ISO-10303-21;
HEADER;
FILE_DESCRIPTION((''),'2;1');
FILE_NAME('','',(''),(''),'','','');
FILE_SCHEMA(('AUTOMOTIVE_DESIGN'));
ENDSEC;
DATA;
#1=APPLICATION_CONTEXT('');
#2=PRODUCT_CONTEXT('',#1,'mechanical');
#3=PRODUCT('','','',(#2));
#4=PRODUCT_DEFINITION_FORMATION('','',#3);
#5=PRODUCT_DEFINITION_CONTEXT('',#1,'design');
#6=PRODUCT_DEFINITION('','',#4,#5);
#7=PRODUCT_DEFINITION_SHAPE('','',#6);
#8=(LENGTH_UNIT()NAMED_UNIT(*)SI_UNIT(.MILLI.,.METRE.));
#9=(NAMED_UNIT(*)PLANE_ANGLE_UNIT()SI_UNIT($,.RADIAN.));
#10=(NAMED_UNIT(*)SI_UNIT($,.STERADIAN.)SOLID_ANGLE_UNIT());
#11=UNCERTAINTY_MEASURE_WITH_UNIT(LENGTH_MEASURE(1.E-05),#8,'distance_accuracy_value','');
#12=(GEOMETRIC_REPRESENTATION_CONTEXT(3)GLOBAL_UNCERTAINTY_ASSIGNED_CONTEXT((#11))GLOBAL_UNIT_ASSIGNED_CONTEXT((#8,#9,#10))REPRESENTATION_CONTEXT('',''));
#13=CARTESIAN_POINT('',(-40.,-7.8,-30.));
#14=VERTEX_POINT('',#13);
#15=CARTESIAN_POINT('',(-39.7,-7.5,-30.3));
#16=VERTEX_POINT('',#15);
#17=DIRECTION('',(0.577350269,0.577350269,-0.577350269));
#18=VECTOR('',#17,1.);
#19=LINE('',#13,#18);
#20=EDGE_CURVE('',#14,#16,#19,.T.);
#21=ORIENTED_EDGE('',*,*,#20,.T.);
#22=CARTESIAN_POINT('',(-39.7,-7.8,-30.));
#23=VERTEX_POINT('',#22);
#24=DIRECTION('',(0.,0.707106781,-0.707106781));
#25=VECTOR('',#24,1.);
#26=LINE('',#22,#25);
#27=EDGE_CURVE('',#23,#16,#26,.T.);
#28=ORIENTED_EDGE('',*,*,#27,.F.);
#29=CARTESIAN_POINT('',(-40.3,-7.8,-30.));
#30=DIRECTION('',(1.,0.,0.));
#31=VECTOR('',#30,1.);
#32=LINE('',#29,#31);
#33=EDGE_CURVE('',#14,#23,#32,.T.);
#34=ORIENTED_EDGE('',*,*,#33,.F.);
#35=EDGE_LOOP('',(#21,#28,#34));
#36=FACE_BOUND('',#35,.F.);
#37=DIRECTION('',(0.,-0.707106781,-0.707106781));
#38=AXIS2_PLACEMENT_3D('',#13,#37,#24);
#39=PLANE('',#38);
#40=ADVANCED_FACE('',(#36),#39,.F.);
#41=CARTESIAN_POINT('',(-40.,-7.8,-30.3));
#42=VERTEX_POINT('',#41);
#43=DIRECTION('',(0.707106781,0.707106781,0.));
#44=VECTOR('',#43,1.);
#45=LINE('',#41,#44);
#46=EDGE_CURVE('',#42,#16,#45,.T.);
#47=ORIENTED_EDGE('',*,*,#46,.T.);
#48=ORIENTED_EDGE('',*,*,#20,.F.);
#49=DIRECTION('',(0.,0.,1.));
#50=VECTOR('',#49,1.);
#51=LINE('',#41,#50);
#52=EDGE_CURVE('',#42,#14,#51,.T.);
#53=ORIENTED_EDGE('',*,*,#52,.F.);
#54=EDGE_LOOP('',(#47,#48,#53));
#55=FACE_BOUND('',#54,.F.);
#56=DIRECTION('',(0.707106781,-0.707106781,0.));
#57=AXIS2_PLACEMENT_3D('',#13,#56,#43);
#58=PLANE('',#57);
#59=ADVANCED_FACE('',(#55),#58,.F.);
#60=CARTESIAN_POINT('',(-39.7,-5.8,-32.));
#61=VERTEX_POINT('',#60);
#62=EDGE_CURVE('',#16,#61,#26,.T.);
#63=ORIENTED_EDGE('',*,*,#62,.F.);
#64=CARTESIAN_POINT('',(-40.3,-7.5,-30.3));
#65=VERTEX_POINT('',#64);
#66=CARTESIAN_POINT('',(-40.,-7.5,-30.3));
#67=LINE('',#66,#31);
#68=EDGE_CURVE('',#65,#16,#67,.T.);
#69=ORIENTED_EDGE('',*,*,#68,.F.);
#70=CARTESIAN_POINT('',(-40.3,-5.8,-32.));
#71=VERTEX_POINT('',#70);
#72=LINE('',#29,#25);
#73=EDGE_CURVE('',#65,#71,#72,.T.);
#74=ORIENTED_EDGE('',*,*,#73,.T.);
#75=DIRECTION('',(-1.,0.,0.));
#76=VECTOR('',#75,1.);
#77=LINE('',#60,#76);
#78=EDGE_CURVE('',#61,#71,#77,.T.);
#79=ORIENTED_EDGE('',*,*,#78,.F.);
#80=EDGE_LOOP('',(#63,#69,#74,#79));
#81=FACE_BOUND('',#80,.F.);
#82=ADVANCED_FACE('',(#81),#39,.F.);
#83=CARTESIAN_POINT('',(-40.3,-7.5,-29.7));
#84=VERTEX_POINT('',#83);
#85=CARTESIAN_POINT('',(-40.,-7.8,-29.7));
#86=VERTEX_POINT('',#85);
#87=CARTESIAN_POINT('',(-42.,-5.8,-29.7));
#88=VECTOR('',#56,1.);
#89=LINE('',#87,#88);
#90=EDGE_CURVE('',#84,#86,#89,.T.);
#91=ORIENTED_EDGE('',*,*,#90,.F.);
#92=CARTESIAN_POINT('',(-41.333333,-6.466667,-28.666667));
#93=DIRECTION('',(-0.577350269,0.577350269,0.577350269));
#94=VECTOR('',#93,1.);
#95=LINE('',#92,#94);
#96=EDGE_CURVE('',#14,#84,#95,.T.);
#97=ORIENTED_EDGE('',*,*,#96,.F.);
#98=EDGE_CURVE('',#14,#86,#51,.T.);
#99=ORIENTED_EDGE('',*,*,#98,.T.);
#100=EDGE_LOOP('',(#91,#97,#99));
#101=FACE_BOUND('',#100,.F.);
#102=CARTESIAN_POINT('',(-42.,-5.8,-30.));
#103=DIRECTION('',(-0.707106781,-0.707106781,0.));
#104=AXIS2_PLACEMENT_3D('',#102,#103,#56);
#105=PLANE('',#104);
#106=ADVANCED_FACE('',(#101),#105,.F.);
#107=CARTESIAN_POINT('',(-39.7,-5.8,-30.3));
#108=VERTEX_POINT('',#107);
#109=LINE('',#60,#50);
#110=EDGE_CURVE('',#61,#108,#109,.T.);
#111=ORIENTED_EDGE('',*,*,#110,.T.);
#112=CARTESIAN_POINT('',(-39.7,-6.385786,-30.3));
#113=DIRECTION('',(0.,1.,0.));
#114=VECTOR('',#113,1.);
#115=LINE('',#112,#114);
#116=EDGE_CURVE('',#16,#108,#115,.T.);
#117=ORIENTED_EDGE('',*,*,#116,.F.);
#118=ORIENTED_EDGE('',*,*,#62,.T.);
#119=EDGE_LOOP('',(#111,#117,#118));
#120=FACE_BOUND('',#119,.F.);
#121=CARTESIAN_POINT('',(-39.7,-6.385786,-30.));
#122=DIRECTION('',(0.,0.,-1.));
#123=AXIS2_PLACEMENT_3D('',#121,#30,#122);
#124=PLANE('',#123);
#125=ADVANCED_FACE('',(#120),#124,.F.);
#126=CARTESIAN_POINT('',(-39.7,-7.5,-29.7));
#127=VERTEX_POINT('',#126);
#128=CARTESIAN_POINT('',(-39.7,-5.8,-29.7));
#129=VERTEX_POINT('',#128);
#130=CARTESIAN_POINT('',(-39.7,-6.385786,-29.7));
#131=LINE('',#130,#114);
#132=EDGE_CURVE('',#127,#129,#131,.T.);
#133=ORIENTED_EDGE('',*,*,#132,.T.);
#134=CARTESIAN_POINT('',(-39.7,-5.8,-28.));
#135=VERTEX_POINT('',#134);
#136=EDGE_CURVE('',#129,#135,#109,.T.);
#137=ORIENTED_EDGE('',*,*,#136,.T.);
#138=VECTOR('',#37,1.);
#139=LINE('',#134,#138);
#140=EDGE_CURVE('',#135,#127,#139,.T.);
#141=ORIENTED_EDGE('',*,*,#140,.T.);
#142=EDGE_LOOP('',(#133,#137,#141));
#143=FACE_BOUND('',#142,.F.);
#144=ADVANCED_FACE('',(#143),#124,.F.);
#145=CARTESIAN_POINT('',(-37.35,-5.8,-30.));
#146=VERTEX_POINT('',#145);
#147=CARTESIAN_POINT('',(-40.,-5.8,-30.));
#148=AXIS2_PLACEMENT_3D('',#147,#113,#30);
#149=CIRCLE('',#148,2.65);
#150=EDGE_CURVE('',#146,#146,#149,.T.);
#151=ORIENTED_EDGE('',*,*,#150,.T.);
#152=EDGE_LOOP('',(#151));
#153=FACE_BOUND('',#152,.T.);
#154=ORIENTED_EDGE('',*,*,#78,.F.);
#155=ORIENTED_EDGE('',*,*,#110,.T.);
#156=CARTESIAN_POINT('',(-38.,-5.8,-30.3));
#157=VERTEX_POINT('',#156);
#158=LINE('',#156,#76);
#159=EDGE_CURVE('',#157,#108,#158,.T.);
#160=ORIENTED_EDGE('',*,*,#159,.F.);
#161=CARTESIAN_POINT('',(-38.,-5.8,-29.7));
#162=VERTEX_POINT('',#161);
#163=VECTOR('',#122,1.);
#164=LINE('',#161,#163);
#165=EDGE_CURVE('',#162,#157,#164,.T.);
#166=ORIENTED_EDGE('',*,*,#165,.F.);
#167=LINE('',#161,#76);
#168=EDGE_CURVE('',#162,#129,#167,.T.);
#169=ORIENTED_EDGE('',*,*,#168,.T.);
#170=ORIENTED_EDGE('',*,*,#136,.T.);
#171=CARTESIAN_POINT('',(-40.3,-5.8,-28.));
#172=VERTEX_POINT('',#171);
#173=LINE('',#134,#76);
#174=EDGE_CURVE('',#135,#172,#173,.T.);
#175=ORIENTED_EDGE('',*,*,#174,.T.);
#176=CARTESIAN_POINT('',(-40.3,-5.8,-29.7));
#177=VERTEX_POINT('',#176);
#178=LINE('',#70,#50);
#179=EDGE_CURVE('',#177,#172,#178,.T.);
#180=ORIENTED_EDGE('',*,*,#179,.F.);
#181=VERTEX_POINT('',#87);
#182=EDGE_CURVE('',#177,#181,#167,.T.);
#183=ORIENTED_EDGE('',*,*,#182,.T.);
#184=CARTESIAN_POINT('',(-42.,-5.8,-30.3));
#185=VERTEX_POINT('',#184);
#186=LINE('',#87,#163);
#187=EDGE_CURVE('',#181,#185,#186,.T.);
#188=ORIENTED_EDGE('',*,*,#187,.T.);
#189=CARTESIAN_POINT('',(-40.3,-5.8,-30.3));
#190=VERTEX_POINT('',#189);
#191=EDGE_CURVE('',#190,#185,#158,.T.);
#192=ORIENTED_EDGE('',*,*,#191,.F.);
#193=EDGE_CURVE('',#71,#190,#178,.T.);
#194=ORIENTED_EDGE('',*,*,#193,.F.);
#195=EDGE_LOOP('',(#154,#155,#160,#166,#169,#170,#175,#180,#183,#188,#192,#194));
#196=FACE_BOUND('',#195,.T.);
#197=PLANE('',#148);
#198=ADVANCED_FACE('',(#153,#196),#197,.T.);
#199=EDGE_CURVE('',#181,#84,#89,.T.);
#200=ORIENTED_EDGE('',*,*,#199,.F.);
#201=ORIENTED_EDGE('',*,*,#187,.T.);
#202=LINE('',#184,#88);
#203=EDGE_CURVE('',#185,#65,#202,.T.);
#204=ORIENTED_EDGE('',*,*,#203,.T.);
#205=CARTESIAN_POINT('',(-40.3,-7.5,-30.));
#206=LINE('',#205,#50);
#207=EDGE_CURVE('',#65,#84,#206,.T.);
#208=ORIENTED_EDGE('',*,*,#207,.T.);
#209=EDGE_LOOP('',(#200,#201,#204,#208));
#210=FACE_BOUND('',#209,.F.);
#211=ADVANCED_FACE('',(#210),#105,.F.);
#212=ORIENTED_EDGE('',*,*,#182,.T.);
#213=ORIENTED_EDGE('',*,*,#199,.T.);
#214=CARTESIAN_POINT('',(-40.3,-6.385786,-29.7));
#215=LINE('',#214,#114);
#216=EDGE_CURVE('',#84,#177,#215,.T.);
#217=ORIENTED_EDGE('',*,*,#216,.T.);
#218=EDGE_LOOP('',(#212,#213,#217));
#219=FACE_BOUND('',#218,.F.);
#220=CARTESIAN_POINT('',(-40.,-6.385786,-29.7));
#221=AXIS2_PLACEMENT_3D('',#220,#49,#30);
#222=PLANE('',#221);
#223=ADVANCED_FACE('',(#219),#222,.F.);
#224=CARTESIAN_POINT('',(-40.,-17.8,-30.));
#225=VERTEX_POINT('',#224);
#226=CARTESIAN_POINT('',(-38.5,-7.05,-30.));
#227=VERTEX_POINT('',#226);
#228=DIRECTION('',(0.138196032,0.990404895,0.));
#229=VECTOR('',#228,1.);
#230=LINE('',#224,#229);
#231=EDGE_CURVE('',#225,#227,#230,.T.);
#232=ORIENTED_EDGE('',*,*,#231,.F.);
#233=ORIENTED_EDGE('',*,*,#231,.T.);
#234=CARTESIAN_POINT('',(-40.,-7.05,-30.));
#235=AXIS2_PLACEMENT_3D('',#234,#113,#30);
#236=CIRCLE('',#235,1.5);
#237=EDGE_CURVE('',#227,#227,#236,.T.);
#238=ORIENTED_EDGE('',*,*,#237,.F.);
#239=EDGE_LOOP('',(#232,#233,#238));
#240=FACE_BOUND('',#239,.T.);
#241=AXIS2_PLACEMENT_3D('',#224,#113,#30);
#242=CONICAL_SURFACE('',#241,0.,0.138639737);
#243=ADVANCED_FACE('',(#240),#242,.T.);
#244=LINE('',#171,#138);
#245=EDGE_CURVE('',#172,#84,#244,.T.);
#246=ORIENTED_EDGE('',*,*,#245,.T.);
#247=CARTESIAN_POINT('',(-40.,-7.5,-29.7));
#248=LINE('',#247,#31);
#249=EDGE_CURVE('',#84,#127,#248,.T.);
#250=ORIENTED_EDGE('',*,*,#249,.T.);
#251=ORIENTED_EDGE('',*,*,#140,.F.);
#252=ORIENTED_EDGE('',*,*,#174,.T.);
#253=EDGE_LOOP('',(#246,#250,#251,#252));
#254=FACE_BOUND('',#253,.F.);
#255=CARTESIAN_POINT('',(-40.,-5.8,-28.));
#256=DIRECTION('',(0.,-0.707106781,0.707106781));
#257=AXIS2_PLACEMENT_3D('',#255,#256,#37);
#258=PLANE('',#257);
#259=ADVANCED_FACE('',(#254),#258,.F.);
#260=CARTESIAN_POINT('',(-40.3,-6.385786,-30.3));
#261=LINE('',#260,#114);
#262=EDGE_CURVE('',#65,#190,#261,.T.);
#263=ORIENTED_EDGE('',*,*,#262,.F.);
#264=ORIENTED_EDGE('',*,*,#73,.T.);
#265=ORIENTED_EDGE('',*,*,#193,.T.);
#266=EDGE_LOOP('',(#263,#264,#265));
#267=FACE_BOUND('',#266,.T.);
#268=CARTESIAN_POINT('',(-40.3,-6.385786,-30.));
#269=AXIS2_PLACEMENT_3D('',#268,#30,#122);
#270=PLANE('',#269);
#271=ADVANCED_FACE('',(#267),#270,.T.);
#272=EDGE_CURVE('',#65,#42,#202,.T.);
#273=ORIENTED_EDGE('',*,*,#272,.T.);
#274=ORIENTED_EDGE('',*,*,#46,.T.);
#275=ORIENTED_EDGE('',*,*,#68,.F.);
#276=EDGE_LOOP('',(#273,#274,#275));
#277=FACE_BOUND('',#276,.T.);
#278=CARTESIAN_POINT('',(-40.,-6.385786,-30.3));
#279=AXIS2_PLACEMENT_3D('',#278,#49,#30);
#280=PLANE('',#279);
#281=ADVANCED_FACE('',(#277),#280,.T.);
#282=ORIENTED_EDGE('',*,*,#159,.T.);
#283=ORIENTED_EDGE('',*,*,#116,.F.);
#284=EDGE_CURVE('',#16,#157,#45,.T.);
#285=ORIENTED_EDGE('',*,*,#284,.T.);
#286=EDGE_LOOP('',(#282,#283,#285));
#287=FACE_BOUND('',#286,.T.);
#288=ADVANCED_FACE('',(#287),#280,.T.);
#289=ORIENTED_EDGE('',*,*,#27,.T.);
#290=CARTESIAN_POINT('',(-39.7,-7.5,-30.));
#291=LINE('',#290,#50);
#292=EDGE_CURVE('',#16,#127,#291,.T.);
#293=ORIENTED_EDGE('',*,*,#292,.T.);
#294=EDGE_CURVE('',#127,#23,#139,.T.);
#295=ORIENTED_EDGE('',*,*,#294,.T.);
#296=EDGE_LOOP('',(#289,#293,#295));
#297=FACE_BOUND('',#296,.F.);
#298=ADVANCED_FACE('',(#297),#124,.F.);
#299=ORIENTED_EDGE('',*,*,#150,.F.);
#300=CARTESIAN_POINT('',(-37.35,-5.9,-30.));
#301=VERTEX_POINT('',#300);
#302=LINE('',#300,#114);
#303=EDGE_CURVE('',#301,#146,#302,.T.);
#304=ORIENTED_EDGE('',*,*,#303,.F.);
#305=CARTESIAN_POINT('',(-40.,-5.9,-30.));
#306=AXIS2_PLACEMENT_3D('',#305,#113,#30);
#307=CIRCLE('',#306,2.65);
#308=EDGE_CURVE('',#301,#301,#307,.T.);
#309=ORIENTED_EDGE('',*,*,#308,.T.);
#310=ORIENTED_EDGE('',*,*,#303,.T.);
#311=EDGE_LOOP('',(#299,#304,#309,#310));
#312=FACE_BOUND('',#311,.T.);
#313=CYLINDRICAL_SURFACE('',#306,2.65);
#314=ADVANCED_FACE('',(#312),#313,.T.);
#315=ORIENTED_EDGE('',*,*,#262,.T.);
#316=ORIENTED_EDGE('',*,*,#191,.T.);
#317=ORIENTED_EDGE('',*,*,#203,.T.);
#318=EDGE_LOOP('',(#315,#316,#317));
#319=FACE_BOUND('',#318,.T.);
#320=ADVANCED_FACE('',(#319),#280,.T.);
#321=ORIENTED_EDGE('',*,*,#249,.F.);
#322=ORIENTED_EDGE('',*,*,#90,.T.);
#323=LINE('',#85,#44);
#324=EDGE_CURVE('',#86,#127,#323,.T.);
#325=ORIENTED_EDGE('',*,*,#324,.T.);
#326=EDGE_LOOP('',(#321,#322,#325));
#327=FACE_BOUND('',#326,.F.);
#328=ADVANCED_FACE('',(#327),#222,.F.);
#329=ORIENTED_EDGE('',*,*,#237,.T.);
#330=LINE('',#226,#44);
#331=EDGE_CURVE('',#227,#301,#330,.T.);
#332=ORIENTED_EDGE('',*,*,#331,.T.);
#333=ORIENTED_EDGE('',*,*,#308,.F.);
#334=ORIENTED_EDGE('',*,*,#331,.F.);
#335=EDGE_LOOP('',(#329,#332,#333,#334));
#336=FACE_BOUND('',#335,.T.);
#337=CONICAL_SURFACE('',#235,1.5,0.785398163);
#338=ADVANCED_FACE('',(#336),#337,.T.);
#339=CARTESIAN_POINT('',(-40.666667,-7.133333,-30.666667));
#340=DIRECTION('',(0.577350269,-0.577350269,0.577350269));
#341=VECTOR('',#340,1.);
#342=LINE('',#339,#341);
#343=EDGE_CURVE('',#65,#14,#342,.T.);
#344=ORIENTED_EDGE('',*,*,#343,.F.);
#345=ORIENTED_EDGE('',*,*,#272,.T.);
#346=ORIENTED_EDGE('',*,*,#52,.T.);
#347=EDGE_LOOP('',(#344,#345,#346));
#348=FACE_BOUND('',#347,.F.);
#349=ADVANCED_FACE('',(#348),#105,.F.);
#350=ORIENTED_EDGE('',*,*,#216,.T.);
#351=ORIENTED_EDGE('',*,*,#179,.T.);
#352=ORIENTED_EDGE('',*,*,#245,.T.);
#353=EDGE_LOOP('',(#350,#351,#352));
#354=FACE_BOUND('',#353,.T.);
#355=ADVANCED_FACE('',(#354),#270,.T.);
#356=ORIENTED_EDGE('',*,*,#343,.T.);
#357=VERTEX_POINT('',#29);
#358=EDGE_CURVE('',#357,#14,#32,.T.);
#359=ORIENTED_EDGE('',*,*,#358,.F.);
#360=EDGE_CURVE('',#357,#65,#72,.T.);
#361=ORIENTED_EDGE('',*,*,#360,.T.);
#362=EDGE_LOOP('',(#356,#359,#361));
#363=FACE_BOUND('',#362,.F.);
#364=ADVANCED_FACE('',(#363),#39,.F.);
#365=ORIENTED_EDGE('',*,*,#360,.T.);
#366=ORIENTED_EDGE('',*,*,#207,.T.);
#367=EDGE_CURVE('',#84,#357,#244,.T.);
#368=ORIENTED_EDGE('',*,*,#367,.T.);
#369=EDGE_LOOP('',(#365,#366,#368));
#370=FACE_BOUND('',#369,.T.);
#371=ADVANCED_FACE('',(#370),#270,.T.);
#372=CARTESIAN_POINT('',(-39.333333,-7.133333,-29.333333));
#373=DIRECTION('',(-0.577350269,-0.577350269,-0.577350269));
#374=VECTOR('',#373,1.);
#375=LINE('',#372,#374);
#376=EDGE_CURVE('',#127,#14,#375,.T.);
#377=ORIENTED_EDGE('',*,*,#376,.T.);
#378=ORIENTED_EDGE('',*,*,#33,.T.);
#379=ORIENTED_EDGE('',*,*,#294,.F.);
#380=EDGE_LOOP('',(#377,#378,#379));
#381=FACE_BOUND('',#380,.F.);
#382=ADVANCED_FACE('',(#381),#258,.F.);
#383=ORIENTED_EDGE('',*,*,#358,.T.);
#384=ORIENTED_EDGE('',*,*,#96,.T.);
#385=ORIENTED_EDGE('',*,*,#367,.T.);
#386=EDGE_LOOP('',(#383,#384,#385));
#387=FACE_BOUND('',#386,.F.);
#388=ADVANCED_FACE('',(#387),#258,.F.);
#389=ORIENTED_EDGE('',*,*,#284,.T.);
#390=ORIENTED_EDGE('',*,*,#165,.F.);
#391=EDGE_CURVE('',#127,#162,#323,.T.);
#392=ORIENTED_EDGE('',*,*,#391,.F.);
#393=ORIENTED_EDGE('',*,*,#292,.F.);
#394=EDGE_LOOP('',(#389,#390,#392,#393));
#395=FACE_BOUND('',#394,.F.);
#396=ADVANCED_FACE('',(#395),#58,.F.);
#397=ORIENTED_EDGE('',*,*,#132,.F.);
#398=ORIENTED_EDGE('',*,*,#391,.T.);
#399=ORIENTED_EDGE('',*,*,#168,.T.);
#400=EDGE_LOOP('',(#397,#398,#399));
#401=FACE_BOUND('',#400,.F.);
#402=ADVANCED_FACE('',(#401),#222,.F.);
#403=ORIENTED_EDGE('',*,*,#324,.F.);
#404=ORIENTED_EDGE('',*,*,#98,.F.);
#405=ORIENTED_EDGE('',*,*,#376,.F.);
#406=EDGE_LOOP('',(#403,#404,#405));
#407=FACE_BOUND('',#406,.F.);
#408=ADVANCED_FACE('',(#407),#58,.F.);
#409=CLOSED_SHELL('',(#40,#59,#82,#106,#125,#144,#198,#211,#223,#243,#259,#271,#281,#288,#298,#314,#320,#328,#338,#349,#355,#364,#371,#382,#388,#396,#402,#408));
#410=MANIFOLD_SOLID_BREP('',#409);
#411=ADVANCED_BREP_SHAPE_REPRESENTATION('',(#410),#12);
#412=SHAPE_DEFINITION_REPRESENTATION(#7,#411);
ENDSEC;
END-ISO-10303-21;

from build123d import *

# Parameters (mm, degrees)
POCKET023_DEPTH         = 0.3
POLARPATTERN005_COUNT   = 2
POLARPATTERN005_ANGLE   = 90
BODY020_PLACEMENT_ANGLE = 90


with BuildPart() as part:
    # Sketch101 → Revolution008 (revolve)
    with BuildSketch(Plane.XZ):
        Polygon((0, 0), (0, -12), (1.5, -1.25), (2.65, -0.1), (2.65, 0), align=None)
    revolve(axis=Axis((0, 0, 0), (0, 0, 1)))

    # Sketch100 → Pocket023 (cut, symmetric)
    with BuildSketch(Plane.XZ):
        Polygon((-2, 0), (0, -2), (2, 0), align=None)
    pocket023 = extrude(amount=POCKET023_DEPTH, both=True, mode=Mode.SUBTRACT)

    # PolarPattern005: Pocket023 ×2 about axis
    polarpattern005_axis = Axis((0, 0, 0), (0, 0, 1))
    for i in range(1, POLARPATTERN005_COUNT):
        add(pocket023.rotate(polarpattern005_axis, i * POLARPATTERN005_ANGLE / (POLARPATTERN005_COUNT - 1)), mode=Mode.SUBTRACT)


with BuildPart() as part_1:
    # Body020 placement: moved
    add(part.part.moved(Location((-40, -5.8, -30))).rotate(Axis((-40, -5.8, -30), (-1, 0, 0)), BODY020_PLACEMENT_ANGLE))


solid = part_1.part
